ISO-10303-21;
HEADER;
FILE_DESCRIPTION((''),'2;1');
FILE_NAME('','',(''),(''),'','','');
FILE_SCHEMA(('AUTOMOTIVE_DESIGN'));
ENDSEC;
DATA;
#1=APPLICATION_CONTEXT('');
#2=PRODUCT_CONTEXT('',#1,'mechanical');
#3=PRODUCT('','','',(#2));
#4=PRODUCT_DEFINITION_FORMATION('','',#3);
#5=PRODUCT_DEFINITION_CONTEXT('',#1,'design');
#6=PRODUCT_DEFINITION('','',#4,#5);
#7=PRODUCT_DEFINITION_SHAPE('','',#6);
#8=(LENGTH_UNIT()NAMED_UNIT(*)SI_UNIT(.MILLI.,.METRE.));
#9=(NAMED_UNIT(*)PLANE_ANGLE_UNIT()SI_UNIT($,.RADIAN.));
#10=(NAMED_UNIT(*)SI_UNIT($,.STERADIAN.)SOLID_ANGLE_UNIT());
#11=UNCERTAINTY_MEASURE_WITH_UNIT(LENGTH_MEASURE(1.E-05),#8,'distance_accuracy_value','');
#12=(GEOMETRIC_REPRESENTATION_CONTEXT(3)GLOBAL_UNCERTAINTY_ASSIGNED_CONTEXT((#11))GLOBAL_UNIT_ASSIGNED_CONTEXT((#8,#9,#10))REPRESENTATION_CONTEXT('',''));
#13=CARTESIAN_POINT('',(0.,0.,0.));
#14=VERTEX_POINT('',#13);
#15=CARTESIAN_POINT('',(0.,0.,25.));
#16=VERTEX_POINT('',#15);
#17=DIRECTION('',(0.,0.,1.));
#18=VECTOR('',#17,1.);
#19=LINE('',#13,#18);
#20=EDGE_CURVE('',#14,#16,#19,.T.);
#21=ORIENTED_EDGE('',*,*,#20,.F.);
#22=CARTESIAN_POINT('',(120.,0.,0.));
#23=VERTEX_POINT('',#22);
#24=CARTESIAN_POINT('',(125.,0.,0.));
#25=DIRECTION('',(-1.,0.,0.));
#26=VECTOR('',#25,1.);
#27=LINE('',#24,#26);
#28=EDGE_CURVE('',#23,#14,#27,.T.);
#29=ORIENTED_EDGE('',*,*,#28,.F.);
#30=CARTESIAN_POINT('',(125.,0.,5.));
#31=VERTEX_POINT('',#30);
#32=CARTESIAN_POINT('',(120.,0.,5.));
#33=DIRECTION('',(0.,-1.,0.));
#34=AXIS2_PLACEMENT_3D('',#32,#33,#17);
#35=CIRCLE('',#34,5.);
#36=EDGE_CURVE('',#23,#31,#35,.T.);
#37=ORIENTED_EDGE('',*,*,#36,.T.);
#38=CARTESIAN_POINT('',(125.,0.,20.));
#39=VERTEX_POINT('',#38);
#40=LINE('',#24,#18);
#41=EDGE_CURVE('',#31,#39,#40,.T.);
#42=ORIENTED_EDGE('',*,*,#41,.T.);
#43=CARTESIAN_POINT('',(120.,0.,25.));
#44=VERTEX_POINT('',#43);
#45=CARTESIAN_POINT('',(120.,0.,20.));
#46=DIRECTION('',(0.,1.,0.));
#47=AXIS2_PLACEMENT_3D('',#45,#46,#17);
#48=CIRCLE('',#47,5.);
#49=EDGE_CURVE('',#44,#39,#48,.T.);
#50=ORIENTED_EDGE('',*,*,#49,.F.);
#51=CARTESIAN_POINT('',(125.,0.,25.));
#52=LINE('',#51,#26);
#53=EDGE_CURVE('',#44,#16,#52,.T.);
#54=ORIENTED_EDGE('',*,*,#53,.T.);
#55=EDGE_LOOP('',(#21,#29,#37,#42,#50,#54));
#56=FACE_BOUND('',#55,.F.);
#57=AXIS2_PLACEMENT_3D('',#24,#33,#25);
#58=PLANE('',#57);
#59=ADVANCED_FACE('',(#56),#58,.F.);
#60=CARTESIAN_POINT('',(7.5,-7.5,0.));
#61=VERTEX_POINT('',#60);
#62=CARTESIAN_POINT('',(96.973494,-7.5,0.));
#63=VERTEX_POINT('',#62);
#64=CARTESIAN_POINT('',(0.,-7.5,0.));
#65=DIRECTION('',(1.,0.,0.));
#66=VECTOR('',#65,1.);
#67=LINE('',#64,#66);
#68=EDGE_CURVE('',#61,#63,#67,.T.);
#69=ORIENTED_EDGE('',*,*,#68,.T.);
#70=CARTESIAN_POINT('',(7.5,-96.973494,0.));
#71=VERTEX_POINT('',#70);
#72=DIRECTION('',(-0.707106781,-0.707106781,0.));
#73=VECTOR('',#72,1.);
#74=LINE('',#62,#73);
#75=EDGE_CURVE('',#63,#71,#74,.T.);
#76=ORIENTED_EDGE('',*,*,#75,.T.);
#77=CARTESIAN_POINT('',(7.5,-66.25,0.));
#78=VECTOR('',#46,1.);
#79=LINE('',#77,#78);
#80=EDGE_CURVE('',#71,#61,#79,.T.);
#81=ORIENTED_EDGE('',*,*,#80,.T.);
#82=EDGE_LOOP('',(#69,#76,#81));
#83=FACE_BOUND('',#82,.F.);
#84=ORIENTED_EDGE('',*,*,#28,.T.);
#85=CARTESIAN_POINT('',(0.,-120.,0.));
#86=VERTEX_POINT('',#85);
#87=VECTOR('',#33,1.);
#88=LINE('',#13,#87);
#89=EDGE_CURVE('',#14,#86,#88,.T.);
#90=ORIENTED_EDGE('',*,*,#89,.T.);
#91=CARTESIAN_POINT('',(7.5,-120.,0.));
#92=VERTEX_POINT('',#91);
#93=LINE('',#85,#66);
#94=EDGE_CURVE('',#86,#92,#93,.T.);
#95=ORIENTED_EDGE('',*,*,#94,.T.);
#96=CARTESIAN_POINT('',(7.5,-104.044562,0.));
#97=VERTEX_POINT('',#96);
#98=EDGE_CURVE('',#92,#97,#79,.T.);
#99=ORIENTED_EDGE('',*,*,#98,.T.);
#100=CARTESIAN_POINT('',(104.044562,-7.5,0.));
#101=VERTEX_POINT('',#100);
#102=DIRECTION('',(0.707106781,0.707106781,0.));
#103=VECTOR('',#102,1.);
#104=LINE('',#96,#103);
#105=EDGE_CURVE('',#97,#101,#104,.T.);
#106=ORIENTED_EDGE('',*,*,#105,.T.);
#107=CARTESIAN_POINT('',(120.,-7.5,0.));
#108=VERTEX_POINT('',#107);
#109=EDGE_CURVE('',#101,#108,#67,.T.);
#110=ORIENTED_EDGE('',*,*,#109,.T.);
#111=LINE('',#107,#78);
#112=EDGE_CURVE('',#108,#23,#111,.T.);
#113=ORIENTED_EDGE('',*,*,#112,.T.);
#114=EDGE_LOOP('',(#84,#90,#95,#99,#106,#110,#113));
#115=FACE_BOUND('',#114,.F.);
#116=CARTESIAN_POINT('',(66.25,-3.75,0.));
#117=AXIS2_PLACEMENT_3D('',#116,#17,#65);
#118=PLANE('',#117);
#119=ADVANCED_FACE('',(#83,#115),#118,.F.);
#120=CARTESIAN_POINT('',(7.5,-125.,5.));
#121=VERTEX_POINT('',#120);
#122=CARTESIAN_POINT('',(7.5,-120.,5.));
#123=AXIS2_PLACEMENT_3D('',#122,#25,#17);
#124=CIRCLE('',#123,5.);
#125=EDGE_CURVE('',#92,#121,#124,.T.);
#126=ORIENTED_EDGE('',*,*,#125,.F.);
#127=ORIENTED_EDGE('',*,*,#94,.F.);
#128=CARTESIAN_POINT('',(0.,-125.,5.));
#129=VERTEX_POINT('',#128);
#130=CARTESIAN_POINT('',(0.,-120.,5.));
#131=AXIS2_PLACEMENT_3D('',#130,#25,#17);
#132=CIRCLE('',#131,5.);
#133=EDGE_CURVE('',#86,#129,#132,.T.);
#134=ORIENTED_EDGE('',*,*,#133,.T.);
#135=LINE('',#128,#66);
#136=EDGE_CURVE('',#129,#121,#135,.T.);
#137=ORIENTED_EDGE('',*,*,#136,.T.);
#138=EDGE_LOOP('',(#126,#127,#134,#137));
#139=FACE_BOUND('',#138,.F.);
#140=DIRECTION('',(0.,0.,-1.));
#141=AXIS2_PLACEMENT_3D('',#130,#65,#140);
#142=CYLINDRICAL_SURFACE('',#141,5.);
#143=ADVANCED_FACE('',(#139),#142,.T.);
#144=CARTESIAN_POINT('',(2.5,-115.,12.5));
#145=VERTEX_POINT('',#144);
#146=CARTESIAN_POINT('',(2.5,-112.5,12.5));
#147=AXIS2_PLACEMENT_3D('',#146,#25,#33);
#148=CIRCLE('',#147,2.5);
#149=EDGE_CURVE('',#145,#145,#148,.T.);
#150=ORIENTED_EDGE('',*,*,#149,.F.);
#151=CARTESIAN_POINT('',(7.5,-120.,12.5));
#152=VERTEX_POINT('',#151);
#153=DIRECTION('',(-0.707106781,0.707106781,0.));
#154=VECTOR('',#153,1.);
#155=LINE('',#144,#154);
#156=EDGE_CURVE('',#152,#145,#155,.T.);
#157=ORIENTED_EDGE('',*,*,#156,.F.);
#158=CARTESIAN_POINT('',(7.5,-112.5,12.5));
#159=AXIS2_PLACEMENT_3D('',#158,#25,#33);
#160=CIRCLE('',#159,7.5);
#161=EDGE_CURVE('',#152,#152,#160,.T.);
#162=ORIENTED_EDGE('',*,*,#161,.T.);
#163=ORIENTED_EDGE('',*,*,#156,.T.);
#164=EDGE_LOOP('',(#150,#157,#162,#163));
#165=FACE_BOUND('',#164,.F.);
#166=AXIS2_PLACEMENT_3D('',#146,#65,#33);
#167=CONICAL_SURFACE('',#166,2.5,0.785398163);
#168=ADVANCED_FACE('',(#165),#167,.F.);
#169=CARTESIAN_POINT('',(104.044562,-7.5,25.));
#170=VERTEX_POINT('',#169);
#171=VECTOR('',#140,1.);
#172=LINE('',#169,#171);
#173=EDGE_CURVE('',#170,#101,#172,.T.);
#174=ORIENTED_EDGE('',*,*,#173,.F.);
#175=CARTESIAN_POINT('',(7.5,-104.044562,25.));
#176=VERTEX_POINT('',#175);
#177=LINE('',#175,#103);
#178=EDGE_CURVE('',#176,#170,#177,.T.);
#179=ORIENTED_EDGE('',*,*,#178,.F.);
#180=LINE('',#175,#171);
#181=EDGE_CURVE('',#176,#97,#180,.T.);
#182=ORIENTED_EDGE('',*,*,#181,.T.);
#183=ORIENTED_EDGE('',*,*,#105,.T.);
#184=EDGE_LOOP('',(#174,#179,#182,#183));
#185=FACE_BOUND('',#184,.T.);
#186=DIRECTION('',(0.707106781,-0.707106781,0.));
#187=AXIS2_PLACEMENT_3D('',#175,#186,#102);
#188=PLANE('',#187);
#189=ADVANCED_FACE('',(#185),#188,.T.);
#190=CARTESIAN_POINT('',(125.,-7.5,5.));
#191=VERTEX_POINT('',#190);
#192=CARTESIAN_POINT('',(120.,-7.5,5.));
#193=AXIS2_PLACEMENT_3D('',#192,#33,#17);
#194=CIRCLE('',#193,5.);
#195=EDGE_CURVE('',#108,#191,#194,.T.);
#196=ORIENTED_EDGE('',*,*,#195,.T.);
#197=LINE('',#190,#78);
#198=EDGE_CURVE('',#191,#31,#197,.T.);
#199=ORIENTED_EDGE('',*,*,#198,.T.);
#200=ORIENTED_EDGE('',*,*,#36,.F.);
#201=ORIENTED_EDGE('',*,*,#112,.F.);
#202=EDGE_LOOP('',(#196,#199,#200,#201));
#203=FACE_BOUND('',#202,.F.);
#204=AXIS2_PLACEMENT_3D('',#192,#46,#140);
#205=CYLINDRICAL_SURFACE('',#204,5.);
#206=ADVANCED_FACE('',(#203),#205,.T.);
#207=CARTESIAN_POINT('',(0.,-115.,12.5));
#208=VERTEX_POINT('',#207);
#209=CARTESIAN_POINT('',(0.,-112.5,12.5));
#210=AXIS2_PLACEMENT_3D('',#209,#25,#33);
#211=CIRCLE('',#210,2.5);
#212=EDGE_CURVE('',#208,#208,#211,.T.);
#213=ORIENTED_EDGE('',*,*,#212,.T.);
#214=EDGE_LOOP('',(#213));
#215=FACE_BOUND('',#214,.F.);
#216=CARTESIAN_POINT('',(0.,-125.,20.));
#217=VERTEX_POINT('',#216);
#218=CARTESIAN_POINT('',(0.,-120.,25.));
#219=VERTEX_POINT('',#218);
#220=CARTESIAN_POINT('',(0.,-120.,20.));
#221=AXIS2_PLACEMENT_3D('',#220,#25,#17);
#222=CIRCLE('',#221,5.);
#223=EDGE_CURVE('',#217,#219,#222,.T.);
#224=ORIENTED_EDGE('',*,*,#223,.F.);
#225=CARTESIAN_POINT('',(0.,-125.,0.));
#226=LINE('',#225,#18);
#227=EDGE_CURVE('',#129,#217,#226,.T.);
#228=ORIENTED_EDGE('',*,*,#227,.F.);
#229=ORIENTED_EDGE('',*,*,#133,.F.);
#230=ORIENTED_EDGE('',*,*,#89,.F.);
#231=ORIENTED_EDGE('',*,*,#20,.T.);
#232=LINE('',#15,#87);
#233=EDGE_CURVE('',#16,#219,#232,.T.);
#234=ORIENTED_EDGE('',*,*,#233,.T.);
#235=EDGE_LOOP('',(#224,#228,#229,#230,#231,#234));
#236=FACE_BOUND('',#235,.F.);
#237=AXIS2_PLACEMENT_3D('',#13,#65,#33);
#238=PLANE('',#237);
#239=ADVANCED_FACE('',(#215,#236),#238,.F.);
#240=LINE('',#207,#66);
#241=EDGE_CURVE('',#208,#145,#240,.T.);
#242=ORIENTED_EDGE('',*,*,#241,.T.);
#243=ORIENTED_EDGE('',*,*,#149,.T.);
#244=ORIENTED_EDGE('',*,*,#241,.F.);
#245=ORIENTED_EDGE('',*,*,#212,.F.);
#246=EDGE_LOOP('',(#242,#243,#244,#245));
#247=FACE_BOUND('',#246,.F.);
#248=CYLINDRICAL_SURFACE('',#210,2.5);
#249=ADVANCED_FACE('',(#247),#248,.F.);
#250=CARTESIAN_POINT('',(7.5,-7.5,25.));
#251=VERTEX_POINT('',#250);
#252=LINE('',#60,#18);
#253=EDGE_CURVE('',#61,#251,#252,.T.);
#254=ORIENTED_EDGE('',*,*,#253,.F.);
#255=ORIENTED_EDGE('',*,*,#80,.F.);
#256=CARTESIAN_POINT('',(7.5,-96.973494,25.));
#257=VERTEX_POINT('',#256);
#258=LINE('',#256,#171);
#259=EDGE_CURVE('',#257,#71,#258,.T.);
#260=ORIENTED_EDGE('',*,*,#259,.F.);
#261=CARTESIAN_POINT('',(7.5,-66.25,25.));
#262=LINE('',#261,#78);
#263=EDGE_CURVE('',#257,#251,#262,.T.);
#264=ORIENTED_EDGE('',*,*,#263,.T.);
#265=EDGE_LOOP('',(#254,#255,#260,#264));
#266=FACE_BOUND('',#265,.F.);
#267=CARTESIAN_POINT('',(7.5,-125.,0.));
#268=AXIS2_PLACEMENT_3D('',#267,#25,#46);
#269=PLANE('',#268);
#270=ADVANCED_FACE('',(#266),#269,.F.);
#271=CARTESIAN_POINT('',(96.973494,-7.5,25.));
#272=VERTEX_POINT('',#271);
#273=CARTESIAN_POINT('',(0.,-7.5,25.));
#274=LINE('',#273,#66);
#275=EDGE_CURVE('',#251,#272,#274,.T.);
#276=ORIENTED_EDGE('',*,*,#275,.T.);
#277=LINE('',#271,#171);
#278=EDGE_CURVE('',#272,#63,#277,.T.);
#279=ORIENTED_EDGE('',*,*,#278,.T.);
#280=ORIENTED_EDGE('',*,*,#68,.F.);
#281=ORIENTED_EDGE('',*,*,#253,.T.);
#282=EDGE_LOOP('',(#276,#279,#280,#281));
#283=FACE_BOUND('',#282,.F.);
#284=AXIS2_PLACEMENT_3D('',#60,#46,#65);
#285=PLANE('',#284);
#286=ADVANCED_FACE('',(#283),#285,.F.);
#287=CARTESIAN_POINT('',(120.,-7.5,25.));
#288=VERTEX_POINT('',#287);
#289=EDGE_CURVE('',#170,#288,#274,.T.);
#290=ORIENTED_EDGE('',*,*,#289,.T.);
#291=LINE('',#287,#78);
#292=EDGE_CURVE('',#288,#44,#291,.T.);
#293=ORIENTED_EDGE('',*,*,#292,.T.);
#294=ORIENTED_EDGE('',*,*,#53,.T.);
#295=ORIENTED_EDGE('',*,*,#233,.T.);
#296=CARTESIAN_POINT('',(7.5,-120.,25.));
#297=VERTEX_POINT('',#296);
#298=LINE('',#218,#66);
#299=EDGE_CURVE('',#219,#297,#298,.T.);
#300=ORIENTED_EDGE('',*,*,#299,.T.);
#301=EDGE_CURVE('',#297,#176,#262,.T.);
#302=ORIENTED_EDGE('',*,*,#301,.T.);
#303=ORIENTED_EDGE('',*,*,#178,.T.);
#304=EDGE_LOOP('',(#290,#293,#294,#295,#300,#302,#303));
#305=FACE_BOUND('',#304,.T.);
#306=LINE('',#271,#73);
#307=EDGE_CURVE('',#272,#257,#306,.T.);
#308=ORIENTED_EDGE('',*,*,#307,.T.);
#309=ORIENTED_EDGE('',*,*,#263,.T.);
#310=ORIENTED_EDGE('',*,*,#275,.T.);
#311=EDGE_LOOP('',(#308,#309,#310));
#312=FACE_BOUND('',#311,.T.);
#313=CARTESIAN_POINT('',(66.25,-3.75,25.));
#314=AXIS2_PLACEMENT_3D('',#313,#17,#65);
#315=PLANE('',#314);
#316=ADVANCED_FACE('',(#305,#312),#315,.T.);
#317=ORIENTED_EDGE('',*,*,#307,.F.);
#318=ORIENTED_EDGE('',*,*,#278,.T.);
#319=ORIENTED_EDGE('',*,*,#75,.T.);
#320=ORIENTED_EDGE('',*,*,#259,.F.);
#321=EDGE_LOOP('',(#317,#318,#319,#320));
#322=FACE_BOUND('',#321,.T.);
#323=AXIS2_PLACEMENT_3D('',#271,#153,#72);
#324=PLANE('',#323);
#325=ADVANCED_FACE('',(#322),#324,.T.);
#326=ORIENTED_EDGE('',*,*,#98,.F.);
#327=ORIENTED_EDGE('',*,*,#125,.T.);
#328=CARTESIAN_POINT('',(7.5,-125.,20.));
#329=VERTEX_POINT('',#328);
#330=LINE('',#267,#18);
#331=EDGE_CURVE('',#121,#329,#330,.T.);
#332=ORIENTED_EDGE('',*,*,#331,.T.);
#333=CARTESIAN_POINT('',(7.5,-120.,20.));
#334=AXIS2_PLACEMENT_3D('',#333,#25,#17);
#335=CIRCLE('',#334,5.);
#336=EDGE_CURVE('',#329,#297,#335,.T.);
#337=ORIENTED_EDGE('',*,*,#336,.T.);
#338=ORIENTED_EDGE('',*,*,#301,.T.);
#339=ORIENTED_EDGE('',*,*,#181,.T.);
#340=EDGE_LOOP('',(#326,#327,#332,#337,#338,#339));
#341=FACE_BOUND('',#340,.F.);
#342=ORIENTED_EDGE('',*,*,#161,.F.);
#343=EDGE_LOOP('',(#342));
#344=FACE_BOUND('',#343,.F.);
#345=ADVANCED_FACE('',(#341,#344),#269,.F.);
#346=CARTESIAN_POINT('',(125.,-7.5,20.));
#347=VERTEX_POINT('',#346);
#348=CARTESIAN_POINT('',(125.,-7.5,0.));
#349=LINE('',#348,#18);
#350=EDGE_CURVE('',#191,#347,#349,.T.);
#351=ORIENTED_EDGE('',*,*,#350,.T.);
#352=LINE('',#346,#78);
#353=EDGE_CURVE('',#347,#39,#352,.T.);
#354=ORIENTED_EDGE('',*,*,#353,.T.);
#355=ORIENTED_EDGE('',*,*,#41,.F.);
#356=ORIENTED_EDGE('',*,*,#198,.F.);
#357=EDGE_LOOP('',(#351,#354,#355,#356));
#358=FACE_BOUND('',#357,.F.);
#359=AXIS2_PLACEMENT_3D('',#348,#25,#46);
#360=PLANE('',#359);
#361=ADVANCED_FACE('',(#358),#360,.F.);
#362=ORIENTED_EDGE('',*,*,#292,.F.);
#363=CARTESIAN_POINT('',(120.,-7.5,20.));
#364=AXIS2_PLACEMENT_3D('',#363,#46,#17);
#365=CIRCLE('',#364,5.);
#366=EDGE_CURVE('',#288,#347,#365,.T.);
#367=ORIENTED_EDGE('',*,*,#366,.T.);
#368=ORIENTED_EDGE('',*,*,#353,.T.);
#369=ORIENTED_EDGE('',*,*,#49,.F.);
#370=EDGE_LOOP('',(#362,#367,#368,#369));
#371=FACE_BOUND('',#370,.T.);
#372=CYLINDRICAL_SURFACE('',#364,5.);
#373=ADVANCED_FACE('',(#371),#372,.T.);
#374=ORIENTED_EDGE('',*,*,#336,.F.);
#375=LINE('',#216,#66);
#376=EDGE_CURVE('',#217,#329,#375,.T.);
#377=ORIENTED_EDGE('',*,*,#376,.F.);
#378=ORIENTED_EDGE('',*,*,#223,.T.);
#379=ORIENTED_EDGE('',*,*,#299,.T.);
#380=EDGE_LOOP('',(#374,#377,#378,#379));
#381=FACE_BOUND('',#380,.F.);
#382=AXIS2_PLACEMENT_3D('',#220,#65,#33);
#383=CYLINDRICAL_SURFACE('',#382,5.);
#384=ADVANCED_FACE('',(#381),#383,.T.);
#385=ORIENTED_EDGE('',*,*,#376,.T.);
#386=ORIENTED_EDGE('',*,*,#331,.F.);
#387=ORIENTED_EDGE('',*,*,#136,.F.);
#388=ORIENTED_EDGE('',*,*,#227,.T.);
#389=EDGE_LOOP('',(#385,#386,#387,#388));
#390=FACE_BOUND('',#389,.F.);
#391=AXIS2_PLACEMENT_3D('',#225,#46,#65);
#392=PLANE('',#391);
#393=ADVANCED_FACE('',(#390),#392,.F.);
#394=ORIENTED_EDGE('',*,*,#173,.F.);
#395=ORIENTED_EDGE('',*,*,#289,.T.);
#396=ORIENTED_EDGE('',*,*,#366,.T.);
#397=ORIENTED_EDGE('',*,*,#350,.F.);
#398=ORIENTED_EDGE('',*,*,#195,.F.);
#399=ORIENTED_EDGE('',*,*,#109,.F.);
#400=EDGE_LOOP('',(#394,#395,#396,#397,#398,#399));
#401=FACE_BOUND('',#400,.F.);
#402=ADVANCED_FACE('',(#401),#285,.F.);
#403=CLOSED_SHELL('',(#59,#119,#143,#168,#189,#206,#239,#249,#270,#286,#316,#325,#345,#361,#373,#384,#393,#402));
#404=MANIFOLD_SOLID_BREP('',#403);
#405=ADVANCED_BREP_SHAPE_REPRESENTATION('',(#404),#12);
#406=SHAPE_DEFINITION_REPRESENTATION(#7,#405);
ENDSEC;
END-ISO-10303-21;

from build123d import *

# Parameters (mm, degrees)
F0_W     = 117.5
F0_H     = 7.5
F0_W_2   = 7.5
F0_H_2   = 117.5
F1_DEPTH = 25
F3_DEPTH = 25
F4_R     = 2.5
F5_DEPTH = 25
F6_SIZE  = 5
F7_R     = 5


with BuildPart() as f1:
    # F0 (on Top) → F1 (new body)
    with BuildSketch(Plane.XY):
        with Locations((66.25, -3.75)):
            Rectangle(F0_W, F0_H)
        with Locations((3.75, -3.75)):
            Rectangle(F0_W_2, F0_H)
        with Locations((3.75, -66.25)):
            Rectangle(F0_W_2, F0_H_2)
    extrude(amount=F1_DEPTH)

    # F2 (on face) → F3 (join)
    with BuildSketch(Plane.XY.offset(25)):
        Polygon((96.9734936953, -7.5), (7.5, -96.9734936953), (7.5, -104.0445615071), (11.0355339059, -100.5090276012), (100.5090276012, -11.0355339059), (104.0445615071, -7.5), align=None)
    extrude(amount=-F3_DEPTH)

    # F4 (on face) → F5 (cut)
    with BuildSketch(Plane(origin=(0, 0, 0), x_dir=(0, -1, 0), z_dir=(-1, 0, 0))):
        with Locations((112.5, 12.5)):
            Circle(F4_R)
    extrude(amount=-F5_DEPTH, mode=Mode.SUBTRACT)

    # F6
    f6_edges = [f1.edges().sort_by_distance(p)[0] for p in [
        (7.5, -110, 12.5),
    ]]
    chamfer(f6_edges, length=F6_SIZE)

    # F7
    f7_edges = [f1.edges().sort_by_distance(p)[0] for p in [
        (3.75, -125, 25),
        (3.75, -125, 0),
        (125, -3.75, 25),
        (125, -3.75, 0),
    ]]
    fillet(f7_edges, radius=F7_R)


solid = f1.part
